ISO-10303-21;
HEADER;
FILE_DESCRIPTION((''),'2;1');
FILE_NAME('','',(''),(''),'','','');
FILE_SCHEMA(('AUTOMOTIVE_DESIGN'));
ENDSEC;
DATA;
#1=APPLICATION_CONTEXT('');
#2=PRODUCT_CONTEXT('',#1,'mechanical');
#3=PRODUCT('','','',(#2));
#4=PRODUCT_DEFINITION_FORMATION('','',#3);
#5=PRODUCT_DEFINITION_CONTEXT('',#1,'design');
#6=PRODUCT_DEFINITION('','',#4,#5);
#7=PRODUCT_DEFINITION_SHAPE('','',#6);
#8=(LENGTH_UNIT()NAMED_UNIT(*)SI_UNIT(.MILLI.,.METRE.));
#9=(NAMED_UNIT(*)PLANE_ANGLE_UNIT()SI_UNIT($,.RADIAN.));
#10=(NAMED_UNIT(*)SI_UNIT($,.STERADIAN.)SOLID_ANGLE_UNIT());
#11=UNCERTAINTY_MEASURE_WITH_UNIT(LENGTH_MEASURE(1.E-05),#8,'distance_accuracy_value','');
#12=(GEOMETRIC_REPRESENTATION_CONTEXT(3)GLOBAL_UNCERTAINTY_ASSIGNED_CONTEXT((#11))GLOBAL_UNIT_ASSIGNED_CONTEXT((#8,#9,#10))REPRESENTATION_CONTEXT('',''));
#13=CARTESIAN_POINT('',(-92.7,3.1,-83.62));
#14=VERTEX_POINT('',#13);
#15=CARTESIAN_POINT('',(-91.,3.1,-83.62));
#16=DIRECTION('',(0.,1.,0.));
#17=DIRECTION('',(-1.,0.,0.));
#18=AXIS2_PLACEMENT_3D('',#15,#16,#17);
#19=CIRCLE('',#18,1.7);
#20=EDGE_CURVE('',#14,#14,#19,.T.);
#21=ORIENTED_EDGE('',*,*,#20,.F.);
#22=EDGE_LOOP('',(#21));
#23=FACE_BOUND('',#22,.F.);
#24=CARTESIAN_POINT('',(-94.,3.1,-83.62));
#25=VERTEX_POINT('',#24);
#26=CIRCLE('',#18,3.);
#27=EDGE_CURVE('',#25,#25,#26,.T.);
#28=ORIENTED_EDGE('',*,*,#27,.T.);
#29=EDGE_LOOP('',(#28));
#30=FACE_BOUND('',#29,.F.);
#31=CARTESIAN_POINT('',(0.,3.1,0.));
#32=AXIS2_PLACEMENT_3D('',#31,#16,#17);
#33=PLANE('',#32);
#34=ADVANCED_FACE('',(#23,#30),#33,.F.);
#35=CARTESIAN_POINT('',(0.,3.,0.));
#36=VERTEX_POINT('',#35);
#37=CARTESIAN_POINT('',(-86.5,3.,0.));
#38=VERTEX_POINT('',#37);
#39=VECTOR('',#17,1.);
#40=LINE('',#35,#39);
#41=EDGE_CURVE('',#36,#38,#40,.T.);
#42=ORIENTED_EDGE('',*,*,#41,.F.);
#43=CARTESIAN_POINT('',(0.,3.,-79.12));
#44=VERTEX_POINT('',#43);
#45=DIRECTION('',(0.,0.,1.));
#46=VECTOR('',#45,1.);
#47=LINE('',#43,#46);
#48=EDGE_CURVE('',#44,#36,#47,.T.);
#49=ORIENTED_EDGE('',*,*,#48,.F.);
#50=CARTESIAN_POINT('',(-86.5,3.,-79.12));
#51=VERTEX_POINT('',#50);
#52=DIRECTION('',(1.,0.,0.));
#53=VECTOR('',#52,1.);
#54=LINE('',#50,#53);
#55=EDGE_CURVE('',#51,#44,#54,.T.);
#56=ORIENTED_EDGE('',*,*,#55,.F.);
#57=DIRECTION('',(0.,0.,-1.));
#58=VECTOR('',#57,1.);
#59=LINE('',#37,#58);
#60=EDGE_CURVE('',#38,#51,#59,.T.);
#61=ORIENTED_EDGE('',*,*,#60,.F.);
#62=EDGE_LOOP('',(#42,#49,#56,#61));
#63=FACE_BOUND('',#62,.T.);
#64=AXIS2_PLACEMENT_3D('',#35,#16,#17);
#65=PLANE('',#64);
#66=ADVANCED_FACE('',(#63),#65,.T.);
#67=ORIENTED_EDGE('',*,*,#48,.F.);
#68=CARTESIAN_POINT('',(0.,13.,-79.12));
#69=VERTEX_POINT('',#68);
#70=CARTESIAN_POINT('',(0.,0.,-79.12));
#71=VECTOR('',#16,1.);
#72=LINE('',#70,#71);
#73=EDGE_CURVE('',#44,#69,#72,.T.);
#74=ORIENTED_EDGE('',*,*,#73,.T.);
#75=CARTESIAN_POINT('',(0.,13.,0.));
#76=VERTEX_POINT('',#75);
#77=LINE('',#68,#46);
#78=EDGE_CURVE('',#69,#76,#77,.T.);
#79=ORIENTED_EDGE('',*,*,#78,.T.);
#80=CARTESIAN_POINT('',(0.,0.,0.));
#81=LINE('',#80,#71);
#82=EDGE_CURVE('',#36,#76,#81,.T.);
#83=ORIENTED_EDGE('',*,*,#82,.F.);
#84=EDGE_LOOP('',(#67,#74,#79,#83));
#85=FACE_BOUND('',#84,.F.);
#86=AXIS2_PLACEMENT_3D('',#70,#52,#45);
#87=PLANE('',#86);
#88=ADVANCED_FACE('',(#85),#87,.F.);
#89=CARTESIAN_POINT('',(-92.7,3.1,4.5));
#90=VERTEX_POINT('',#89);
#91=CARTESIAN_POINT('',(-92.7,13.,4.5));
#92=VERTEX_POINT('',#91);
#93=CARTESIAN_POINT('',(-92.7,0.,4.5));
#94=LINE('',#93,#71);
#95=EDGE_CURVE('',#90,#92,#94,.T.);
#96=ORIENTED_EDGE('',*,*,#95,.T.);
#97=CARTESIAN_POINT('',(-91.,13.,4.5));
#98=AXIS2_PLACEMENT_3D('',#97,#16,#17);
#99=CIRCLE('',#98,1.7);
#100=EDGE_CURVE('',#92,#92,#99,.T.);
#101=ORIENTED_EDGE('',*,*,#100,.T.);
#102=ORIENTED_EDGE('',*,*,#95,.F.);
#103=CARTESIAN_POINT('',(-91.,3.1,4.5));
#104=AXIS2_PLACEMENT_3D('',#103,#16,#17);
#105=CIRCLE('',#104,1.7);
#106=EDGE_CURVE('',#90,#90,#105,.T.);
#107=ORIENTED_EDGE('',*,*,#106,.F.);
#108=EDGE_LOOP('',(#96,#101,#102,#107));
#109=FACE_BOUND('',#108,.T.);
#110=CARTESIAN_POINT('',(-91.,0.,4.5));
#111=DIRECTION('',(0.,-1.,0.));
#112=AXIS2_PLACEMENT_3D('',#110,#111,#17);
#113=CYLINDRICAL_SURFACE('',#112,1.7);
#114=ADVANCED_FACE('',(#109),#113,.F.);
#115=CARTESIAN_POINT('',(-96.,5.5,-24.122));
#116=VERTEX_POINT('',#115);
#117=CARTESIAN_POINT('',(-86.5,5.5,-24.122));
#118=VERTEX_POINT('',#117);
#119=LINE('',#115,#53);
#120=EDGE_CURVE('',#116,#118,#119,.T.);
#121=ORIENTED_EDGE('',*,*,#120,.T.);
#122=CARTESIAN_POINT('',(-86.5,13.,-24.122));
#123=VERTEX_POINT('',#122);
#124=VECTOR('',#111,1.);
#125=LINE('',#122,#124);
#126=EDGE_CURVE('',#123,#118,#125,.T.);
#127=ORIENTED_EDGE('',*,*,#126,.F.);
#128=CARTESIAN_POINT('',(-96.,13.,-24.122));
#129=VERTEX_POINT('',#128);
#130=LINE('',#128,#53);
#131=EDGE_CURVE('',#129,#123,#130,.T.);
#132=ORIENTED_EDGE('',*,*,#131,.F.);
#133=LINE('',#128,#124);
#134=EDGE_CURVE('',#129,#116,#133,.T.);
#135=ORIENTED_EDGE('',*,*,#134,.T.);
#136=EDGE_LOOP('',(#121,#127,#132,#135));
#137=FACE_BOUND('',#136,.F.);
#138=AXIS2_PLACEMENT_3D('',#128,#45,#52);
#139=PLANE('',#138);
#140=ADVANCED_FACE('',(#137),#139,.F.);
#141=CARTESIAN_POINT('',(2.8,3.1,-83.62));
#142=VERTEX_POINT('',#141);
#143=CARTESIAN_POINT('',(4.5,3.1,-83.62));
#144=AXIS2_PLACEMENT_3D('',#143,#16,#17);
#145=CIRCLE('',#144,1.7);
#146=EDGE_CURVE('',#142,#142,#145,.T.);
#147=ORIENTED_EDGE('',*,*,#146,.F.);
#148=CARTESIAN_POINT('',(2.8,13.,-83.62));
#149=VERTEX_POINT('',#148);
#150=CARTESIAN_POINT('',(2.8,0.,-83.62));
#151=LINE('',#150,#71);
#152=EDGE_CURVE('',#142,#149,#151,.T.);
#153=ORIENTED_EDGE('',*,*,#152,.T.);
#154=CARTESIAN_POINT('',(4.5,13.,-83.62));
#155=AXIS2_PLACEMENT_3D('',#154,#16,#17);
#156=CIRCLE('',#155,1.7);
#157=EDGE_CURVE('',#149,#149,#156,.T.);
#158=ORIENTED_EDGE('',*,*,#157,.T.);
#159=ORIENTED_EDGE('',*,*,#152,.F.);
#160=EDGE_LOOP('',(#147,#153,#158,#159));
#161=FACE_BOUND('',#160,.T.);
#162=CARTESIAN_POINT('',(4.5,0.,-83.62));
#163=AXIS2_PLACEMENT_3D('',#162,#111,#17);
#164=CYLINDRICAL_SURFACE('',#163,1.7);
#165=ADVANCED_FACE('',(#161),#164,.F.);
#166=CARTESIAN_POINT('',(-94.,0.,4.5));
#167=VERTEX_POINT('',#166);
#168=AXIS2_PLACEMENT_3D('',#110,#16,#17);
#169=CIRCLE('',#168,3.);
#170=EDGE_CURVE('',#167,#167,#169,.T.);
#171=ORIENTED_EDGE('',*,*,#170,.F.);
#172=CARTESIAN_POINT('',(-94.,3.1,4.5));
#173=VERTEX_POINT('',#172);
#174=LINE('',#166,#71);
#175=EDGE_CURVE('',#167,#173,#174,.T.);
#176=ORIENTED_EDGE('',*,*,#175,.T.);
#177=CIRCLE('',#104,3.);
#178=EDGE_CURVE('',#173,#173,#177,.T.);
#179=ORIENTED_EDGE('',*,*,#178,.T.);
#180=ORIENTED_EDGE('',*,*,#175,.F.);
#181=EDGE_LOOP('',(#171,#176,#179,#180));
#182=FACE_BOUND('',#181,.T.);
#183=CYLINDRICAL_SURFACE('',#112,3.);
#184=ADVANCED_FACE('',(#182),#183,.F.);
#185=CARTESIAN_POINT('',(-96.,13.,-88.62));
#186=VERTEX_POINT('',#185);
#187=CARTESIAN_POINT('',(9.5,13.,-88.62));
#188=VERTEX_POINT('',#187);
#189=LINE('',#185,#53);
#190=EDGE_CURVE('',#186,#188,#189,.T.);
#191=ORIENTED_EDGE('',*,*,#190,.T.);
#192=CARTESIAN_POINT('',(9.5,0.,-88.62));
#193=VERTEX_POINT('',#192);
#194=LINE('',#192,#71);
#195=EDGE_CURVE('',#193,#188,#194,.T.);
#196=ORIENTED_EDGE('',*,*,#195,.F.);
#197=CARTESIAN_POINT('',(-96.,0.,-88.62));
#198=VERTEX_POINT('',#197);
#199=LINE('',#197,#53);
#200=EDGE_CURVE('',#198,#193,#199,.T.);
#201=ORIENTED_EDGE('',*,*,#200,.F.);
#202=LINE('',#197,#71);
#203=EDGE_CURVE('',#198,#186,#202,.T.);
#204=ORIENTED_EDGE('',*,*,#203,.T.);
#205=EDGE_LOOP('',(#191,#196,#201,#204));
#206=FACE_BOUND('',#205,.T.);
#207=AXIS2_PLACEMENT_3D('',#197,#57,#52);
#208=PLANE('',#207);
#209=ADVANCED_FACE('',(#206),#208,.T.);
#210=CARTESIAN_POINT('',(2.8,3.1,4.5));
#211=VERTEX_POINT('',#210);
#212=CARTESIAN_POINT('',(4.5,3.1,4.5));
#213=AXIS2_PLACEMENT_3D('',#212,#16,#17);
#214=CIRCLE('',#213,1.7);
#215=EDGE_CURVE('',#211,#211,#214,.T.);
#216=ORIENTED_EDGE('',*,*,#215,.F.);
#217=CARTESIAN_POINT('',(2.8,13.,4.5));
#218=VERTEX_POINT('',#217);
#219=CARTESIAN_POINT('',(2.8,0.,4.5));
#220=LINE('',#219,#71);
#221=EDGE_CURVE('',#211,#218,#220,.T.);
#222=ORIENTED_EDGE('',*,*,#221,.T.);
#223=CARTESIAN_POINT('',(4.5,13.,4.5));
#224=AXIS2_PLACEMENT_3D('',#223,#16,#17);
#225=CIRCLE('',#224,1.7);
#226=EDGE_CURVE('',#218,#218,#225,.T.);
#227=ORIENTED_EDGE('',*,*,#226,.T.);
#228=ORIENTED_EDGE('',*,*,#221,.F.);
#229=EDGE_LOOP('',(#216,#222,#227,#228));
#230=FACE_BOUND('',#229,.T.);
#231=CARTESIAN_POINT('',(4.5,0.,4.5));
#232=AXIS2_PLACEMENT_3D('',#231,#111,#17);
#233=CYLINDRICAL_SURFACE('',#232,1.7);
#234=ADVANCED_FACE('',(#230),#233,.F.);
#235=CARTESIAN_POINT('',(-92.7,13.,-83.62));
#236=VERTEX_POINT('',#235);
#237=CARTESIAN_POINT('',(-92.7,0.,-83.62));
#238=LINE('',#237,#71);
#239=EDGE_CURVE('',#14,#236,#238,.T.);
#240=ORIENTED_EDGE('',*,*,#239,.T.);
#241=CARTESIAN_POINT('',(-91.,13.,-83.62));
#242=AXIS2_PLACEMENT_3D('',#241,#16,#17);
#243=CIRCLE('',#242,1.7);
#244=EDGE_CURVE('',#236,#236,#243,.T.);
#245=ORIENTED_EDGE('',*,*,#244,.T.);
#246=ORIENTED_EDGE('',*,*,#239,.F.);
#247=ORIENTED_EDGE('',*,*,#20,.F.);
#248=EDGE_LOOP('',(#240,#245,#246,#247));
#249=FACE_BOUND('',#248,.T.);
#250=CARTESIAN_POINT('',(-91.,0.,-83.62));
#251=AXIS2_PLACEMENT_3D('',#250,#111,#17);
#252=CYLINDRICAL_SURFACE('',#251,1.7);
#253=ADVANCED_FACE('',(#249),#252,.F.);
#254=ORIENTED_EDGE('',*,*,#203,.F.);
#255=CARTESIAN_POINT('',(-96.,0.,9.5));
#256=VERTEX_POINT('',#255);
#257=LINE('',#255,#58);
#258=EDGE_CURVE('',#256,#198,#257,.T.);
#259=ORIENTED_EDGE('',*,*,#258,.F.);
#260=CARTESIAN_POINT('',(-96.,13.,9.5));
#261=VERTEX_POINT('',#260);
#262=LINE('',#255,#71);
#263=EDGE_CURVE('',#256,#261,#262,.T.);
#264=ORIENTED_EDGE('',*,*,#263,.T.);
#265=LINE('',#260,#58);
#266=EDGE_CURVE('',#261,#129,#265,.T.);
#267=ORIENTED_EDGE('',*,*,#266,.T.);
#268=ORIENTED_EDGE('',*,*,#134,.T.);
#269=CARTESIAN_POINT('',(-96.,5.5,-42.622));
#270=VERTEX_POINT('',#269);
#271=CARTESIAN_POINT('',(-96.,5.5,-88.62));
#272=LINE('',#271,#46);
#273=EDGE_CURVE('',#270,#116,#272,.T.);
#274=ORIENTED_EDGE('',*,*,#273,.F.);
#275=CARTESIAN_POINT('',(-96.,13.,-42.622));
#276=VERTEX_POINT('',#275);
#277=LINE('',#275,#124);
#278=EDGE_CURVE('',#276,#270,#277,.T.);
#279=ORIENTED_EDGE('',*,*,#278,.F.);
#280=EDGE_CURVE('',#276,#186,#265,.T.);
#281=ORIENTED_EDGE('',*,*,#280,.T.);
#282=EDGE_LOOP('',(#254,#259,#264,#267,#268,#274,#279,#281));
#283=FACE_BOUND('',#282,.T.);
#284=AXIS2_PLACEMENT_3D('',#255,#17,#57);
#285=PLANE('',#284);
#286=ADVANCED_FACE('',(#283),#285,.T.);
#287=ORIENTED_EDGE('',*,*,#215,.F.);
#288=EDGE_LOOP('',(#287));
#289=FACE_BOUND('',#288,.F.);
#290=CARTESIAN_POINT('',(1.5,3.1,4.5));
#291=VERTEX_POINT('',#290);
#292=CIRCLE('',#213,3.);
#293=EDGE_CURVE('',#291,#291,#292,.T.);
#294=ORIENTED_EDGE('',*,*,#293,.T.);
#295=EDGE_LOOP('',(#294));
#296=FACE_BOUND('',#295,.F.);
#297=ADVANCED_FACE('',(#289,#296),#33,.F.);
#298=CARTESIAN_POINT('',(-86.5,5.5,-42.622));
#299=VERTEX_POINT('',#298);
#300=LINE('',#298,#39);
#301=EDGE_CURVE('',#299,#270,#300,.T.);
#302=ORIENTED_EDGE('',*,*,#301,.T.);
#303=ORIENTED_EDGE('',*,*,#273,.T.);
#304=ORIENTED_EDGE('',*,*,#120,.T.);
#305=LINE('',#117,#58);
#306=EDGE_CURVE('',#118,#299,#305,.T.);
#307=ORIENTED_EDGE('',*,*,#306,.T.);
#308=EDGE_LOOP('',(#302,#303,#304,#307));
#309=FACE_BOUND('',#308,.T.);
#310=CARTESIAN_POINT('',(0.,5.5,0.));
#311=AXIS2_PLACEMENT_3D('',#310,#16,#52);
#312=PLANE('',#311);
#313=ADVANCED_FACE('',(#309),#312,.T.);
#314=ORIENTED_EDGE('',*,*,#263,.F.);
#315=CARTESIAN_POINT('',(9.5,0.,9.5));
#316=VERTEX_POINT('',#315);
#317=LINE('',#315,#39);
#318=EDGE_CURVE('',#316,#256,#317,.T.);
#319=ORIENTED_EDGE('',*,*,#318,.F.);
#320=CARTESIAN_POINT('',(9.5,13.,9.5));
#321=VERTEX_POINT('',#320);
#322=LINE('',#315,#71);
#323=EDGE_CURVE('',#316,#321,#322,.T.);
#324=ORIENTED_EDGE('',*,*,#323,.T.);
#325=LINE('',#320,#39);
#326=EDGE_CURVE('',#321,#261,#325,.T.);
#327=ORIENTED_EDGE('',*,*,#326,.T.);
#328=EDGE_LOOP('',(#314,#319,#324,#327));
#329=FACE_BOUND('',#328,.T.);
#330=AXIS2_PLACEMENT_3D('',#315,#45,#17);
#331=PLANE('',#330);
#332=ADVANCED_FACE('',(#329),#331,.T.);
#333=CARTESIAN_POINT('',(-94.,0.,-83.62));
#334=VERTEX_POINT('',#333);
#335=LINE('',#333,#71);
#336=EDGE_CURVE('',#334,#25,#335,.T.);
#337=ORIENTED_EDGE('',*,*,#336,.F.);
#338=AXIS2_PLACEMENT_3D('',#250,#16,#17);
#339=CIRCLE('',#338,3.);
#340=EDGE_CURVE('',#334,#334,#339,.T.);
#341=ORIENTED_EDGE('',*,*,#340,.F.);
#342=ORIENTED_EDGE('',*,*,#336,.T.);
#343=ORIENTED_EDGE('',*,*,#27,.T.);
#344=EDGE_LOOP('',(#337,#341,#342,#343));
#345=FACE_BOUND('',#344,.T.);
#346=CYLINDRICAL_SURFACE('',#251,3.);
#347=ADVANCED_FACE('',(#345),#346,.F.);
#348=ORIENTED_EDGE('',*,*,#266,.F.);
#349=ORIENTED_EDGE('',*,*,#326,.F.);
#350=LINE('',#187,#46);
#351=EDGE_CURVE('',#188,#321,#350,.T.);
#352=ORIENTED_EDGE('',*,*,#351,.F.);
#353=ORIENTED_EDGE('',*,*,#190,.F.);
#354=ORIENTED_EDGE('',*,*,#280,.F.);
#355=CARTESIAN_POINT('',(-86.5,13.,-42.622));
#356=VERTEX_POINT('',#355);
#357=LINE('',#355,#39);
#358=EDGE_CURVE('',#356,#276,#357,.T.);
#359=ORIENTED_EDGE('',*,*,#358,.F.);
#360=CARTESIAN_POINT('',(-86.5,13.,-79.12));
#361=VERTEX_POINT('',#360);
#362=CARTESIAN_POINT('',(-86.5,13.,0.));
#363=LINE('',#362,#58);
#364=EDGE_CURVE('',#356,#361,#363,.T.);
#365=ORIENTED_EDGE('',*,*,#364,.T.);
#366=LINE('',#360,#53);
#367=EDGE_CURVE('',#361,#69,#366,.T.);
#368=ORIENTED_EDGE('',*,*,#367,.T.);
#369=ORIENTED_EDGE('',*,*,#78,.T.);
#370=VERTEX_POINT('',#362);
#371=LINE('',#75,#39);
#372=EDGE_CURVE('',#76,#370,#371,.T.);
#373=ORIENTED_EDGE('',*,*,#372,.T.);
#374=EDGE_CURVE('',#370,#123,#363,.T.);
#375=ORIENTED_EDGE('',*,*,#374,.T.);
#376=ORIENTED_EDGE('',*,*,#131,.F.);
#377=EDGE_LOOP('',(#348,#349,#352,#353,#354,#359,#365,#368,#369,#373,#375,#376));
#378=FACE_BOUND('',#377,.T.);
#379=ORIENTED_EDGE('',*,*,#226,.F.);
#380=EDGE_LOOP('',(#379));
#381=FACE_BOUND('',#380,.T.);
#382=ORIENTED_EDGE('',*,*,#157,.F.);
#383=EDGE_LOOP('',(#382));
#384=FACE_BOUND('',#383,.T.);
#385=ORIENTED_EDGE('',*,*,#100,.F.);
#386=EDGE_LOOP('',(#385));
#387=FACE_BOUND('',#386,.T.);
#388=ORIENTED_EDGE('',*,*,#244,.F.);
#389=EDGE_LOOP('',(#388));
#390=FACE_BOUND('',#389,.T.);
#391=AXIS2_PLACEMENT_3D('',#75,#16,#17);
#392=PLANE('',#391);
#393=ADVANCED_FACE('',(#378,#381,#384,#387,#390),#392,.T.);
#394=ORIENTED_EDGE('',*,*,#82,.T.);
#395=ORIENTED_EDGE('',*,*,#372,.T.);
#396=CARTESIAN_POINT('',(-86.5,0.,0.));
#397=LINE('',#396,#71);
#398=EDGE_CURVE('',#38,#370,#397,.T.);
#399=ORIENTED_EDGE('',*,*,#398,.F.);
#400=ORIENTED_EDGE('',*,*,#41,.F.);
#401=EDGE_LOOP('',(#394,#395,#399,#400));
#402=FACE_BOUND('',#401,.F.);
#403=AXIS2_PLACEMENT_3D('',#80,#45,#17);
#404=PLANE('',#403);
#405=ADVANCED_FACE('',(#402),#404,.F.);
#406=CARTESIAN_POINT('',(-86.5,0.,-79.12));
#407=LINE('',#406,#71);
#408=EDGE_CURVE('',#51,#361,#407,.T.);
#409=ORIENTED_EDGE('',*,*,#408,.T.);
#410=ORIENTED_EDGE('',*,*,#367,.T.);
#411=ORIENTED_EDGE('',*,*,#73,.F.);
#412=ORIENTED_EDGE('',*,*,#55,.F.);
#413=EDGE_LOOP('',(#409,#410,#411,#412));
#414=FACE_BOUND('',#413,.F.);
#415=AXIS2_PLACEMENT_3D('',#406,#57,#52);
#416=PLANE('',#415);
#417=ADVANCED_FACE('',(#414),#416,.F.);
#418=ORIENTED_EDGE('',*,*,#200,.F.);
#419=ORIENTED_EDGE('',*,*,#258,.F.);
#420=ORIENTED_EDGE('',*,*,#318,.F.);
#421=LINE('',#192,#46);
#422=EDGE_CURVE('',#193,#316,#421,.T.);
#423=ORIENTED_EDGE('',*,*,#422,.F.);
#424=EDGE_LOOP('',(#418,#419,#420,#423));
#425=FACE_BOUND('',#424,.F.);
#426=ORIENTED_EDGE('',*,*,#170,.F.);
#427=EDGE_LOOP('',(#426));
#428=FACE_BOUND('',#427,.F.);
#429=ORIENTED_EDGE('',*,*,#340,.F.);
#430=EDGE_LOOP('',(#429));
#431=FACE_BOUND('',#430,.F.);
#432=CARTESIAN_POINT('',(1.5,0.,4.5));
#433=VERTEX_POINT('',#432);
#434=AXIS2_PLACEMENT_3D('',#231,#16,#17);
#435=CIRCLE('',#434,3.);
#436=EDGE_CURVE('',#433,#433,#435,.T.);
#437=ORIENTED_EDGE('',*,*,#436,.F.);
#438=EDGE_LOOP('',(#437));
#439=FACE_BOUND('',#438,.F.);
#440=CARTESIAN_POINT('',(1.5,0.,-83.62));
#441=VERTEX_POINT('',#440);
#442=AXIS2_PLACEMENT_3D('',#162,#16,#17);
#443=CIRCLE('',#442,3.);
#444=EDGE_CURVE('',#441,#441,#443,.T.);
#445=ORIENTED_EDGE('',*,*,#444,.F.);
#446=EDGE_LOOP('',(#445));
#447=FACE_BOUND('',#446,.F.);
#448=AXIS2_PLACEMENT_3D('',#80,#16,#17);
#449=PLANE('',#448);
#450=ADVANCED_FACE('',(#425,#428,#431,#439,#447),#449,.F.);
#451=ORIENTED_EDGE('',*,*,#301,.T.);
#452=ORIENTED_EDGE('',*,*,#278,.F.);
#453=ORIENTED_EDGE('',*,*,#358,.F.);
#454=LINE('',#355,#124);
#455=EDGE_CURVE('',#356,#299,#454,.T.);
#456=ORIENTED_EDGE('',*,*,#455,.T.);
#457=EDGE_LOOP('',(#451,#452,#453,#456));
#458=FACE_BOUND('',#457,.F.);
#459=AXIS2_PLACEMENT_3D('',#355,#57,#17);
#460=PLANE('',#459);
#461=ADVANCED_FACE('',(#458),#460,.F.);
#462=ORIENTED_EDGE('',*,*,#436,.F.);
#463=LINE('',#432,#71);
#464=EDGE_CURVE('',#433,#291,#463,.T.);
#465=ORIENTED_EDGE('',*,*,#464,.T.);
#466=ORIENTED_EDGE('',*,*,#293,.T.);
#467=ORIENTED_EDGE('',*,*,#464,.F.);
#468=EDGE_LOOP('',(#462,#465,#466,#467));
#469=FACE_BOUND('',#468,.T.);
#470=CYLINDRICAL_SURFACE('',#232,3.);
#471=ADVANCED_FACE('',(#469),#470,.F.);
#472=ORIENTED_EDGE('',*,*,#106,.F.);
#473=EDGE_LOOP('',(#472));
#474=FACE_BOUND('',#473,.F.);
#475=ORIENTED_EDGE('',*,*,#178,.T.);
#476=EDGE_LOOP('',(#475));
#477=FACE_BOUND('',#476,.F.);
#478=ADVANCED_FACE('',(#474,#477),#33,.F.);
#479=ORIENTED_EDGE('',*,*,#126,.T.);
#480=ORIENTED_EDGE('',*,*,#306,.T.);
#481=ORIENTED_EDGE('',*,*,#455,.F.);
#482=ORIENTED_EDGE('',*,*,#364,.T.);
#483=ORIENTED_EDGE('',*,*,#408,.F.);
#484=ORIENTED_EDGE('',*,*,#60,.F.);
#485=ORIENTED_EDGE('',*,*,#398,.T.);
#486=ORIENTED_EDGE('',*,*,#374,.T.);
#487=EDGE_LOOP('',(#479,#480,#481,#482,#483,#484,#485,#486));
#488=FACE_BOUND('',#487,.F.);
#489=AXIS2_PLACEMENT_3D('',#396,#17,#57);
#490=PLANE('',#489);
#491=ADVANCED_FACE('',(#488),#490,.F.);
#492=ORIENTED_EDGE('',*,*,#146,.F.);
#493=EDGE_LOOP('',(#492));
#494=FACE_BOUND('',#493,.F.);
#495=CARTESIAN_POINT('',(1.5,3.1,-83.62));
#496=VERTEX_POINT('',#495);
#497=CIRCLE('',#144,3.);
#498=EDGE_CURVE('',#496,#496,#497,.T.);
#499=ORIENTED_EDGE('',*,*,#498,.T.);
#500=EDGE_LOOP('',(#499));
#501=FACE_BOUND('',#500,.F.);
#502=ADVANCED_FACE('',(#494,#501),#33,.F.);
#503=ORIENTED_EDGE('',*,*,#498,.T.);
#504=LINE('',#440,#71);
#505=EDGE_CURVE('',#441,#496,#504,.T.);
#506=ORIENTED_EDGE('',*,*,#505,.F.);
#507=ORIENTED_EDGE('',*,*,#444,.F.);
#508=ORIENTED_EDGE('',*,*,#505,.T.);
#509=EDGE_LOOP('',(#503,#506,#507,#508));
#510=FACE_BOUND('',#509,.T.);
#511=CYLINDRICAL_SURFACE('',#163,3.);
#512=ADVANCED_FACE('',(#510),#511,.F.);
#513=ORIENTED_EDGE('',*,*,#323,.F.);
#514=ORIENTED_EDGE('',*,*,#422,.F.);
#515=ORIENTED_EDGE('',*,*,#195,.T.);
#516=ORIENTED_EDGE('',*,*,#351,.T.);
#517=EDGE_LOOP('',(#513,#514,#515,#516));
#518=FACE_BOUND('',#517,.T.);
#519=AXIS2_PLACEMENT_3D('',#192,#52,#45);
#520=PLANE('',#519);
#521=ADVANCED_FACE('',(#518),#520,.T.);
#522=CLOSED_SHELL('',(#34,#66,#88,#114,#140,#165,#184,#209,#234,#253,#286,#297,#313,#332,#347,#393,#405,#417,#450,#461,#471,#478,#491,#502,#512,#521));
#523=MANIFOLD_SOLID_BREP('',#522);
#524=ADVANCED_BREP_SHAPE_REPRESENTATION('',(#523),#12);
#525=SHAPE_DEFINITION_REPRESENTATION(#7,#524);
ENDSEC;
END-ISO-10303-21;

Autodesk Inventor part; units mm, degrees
ref_plane "YZ Plane" through (0, 0, 0) normal (1, 0, 0) x (0, 1, 0)
ref_plane "XZ Plane" through (0, 0, 0) normal (0, 1, 0) x (-1, 0, 0)
ref_plane "XY Plane" through (0, 0, 0) normal (0, 0, 1) x (1, 0, 0)
sketch "Sketch3" plane through (0, 0, 0) normal (0, 1, 0) x (-1, 0, 0)
  line L0 (0, 0) -> (86.5, 0)
  line L1 (86.5, 0) -> (86.5, -79.12)
  line L2 (86.5, -79.12) -> (0, -79.12)
  line L3 (0, -79.12) -> (0, 0)
  line L4 (-9.5, 9.5) -> (96, 9.5)
  line L5 (96, 9.5) -> (96, -88.62)
  line L6 (96, -88.62) -> (-9.5, -88.62)
  line L7 (-9.5, -88.62) -> (-9.5, 9.5)
  circle A0 centre (-4.5, 4.5) radius 1.7
  circle A1 centre (91, 4.5) radius 1.7
  circle A2 centre (-4.5, -83.62) radius 1.7
  circle A3 centre (91, -83.62) radius 1.7
  circle A4 centre (91, 4.5) radius 3
  circle A5 centre (-4.5, 4.5) radius 3
  circle A6 centre (-4.5, -83.62) radius 3
  circle A7 centre (91, -83.62) radius 3
  dimension "d0" = 86.5
  dimension "d1" = 79.12
  dimension "d2" = 105.5
  dimension "d3" = 98.12
  dimension "d4" = 9.5
  dimension "d5" = 9.5
  dimension "d6" = 3.4
  dimension "d7" = 3.4
  dimension "d8" = 3.4
  dimension "d9" = 3.4
  dimension "d10" = 5
  dimension "d11" = 5
  dimension "d12" = 5
  dimension "d13" = 5
  dimension "d14" = 5
  dimension "d15" = 5
  dimension "d16" = 5
  dimension "d17" = 5
  dimension "d18" = 6
  dimension "d19" = 6
  dimension "d20" = 6
  dimension "d21" = 6
extrude "Extrusion1" add sketch "Sketch3" along normal blind 13 contours A4 | A5 | A6 | A7
sketch "Sketch4" plane through (-91, 13, 4.5) normal (0, 1, 0) x (1, 0, 0)
  point P0 (91, 4.5)
extrude "Extrusion2" cut sketch "Sketch3" along normal blind 3.1 contours A4 | A5 | A6 | A7
extrude "Extrusion3" add sketch "Sketch3" along normal blind 13 contours L4 L5 L6 L7
extrude "Extrusion4" add sketch "Sketch3" along normal blind 3 contours L0 L1 L2 L3
sketch "Sketch6" plane through (0, 13, 0) normal (0, 1, 0) x (1, 0, 0)
  line L0 (-96, 88.62) -> (-96, -9.5) projected
  line L1 (-96, 24.122) -> (-86.5, 24.122)
  line L2 (-86.5, 24.122) -> (-86.5, 42.622)
  line L3 (-86.5, 42.622) -> (-96, 42.622)
  line L4 (-96, 42.622) -> (-96, 24.122)
  point P0 (0, 0)
  dimension "d31" = 9.5
  dimension "d32" = 18.5
extrude "Extrusion5" cut sketch "Sketch6" against normal blind 7.5
properties part number "Bottom_Plate"
